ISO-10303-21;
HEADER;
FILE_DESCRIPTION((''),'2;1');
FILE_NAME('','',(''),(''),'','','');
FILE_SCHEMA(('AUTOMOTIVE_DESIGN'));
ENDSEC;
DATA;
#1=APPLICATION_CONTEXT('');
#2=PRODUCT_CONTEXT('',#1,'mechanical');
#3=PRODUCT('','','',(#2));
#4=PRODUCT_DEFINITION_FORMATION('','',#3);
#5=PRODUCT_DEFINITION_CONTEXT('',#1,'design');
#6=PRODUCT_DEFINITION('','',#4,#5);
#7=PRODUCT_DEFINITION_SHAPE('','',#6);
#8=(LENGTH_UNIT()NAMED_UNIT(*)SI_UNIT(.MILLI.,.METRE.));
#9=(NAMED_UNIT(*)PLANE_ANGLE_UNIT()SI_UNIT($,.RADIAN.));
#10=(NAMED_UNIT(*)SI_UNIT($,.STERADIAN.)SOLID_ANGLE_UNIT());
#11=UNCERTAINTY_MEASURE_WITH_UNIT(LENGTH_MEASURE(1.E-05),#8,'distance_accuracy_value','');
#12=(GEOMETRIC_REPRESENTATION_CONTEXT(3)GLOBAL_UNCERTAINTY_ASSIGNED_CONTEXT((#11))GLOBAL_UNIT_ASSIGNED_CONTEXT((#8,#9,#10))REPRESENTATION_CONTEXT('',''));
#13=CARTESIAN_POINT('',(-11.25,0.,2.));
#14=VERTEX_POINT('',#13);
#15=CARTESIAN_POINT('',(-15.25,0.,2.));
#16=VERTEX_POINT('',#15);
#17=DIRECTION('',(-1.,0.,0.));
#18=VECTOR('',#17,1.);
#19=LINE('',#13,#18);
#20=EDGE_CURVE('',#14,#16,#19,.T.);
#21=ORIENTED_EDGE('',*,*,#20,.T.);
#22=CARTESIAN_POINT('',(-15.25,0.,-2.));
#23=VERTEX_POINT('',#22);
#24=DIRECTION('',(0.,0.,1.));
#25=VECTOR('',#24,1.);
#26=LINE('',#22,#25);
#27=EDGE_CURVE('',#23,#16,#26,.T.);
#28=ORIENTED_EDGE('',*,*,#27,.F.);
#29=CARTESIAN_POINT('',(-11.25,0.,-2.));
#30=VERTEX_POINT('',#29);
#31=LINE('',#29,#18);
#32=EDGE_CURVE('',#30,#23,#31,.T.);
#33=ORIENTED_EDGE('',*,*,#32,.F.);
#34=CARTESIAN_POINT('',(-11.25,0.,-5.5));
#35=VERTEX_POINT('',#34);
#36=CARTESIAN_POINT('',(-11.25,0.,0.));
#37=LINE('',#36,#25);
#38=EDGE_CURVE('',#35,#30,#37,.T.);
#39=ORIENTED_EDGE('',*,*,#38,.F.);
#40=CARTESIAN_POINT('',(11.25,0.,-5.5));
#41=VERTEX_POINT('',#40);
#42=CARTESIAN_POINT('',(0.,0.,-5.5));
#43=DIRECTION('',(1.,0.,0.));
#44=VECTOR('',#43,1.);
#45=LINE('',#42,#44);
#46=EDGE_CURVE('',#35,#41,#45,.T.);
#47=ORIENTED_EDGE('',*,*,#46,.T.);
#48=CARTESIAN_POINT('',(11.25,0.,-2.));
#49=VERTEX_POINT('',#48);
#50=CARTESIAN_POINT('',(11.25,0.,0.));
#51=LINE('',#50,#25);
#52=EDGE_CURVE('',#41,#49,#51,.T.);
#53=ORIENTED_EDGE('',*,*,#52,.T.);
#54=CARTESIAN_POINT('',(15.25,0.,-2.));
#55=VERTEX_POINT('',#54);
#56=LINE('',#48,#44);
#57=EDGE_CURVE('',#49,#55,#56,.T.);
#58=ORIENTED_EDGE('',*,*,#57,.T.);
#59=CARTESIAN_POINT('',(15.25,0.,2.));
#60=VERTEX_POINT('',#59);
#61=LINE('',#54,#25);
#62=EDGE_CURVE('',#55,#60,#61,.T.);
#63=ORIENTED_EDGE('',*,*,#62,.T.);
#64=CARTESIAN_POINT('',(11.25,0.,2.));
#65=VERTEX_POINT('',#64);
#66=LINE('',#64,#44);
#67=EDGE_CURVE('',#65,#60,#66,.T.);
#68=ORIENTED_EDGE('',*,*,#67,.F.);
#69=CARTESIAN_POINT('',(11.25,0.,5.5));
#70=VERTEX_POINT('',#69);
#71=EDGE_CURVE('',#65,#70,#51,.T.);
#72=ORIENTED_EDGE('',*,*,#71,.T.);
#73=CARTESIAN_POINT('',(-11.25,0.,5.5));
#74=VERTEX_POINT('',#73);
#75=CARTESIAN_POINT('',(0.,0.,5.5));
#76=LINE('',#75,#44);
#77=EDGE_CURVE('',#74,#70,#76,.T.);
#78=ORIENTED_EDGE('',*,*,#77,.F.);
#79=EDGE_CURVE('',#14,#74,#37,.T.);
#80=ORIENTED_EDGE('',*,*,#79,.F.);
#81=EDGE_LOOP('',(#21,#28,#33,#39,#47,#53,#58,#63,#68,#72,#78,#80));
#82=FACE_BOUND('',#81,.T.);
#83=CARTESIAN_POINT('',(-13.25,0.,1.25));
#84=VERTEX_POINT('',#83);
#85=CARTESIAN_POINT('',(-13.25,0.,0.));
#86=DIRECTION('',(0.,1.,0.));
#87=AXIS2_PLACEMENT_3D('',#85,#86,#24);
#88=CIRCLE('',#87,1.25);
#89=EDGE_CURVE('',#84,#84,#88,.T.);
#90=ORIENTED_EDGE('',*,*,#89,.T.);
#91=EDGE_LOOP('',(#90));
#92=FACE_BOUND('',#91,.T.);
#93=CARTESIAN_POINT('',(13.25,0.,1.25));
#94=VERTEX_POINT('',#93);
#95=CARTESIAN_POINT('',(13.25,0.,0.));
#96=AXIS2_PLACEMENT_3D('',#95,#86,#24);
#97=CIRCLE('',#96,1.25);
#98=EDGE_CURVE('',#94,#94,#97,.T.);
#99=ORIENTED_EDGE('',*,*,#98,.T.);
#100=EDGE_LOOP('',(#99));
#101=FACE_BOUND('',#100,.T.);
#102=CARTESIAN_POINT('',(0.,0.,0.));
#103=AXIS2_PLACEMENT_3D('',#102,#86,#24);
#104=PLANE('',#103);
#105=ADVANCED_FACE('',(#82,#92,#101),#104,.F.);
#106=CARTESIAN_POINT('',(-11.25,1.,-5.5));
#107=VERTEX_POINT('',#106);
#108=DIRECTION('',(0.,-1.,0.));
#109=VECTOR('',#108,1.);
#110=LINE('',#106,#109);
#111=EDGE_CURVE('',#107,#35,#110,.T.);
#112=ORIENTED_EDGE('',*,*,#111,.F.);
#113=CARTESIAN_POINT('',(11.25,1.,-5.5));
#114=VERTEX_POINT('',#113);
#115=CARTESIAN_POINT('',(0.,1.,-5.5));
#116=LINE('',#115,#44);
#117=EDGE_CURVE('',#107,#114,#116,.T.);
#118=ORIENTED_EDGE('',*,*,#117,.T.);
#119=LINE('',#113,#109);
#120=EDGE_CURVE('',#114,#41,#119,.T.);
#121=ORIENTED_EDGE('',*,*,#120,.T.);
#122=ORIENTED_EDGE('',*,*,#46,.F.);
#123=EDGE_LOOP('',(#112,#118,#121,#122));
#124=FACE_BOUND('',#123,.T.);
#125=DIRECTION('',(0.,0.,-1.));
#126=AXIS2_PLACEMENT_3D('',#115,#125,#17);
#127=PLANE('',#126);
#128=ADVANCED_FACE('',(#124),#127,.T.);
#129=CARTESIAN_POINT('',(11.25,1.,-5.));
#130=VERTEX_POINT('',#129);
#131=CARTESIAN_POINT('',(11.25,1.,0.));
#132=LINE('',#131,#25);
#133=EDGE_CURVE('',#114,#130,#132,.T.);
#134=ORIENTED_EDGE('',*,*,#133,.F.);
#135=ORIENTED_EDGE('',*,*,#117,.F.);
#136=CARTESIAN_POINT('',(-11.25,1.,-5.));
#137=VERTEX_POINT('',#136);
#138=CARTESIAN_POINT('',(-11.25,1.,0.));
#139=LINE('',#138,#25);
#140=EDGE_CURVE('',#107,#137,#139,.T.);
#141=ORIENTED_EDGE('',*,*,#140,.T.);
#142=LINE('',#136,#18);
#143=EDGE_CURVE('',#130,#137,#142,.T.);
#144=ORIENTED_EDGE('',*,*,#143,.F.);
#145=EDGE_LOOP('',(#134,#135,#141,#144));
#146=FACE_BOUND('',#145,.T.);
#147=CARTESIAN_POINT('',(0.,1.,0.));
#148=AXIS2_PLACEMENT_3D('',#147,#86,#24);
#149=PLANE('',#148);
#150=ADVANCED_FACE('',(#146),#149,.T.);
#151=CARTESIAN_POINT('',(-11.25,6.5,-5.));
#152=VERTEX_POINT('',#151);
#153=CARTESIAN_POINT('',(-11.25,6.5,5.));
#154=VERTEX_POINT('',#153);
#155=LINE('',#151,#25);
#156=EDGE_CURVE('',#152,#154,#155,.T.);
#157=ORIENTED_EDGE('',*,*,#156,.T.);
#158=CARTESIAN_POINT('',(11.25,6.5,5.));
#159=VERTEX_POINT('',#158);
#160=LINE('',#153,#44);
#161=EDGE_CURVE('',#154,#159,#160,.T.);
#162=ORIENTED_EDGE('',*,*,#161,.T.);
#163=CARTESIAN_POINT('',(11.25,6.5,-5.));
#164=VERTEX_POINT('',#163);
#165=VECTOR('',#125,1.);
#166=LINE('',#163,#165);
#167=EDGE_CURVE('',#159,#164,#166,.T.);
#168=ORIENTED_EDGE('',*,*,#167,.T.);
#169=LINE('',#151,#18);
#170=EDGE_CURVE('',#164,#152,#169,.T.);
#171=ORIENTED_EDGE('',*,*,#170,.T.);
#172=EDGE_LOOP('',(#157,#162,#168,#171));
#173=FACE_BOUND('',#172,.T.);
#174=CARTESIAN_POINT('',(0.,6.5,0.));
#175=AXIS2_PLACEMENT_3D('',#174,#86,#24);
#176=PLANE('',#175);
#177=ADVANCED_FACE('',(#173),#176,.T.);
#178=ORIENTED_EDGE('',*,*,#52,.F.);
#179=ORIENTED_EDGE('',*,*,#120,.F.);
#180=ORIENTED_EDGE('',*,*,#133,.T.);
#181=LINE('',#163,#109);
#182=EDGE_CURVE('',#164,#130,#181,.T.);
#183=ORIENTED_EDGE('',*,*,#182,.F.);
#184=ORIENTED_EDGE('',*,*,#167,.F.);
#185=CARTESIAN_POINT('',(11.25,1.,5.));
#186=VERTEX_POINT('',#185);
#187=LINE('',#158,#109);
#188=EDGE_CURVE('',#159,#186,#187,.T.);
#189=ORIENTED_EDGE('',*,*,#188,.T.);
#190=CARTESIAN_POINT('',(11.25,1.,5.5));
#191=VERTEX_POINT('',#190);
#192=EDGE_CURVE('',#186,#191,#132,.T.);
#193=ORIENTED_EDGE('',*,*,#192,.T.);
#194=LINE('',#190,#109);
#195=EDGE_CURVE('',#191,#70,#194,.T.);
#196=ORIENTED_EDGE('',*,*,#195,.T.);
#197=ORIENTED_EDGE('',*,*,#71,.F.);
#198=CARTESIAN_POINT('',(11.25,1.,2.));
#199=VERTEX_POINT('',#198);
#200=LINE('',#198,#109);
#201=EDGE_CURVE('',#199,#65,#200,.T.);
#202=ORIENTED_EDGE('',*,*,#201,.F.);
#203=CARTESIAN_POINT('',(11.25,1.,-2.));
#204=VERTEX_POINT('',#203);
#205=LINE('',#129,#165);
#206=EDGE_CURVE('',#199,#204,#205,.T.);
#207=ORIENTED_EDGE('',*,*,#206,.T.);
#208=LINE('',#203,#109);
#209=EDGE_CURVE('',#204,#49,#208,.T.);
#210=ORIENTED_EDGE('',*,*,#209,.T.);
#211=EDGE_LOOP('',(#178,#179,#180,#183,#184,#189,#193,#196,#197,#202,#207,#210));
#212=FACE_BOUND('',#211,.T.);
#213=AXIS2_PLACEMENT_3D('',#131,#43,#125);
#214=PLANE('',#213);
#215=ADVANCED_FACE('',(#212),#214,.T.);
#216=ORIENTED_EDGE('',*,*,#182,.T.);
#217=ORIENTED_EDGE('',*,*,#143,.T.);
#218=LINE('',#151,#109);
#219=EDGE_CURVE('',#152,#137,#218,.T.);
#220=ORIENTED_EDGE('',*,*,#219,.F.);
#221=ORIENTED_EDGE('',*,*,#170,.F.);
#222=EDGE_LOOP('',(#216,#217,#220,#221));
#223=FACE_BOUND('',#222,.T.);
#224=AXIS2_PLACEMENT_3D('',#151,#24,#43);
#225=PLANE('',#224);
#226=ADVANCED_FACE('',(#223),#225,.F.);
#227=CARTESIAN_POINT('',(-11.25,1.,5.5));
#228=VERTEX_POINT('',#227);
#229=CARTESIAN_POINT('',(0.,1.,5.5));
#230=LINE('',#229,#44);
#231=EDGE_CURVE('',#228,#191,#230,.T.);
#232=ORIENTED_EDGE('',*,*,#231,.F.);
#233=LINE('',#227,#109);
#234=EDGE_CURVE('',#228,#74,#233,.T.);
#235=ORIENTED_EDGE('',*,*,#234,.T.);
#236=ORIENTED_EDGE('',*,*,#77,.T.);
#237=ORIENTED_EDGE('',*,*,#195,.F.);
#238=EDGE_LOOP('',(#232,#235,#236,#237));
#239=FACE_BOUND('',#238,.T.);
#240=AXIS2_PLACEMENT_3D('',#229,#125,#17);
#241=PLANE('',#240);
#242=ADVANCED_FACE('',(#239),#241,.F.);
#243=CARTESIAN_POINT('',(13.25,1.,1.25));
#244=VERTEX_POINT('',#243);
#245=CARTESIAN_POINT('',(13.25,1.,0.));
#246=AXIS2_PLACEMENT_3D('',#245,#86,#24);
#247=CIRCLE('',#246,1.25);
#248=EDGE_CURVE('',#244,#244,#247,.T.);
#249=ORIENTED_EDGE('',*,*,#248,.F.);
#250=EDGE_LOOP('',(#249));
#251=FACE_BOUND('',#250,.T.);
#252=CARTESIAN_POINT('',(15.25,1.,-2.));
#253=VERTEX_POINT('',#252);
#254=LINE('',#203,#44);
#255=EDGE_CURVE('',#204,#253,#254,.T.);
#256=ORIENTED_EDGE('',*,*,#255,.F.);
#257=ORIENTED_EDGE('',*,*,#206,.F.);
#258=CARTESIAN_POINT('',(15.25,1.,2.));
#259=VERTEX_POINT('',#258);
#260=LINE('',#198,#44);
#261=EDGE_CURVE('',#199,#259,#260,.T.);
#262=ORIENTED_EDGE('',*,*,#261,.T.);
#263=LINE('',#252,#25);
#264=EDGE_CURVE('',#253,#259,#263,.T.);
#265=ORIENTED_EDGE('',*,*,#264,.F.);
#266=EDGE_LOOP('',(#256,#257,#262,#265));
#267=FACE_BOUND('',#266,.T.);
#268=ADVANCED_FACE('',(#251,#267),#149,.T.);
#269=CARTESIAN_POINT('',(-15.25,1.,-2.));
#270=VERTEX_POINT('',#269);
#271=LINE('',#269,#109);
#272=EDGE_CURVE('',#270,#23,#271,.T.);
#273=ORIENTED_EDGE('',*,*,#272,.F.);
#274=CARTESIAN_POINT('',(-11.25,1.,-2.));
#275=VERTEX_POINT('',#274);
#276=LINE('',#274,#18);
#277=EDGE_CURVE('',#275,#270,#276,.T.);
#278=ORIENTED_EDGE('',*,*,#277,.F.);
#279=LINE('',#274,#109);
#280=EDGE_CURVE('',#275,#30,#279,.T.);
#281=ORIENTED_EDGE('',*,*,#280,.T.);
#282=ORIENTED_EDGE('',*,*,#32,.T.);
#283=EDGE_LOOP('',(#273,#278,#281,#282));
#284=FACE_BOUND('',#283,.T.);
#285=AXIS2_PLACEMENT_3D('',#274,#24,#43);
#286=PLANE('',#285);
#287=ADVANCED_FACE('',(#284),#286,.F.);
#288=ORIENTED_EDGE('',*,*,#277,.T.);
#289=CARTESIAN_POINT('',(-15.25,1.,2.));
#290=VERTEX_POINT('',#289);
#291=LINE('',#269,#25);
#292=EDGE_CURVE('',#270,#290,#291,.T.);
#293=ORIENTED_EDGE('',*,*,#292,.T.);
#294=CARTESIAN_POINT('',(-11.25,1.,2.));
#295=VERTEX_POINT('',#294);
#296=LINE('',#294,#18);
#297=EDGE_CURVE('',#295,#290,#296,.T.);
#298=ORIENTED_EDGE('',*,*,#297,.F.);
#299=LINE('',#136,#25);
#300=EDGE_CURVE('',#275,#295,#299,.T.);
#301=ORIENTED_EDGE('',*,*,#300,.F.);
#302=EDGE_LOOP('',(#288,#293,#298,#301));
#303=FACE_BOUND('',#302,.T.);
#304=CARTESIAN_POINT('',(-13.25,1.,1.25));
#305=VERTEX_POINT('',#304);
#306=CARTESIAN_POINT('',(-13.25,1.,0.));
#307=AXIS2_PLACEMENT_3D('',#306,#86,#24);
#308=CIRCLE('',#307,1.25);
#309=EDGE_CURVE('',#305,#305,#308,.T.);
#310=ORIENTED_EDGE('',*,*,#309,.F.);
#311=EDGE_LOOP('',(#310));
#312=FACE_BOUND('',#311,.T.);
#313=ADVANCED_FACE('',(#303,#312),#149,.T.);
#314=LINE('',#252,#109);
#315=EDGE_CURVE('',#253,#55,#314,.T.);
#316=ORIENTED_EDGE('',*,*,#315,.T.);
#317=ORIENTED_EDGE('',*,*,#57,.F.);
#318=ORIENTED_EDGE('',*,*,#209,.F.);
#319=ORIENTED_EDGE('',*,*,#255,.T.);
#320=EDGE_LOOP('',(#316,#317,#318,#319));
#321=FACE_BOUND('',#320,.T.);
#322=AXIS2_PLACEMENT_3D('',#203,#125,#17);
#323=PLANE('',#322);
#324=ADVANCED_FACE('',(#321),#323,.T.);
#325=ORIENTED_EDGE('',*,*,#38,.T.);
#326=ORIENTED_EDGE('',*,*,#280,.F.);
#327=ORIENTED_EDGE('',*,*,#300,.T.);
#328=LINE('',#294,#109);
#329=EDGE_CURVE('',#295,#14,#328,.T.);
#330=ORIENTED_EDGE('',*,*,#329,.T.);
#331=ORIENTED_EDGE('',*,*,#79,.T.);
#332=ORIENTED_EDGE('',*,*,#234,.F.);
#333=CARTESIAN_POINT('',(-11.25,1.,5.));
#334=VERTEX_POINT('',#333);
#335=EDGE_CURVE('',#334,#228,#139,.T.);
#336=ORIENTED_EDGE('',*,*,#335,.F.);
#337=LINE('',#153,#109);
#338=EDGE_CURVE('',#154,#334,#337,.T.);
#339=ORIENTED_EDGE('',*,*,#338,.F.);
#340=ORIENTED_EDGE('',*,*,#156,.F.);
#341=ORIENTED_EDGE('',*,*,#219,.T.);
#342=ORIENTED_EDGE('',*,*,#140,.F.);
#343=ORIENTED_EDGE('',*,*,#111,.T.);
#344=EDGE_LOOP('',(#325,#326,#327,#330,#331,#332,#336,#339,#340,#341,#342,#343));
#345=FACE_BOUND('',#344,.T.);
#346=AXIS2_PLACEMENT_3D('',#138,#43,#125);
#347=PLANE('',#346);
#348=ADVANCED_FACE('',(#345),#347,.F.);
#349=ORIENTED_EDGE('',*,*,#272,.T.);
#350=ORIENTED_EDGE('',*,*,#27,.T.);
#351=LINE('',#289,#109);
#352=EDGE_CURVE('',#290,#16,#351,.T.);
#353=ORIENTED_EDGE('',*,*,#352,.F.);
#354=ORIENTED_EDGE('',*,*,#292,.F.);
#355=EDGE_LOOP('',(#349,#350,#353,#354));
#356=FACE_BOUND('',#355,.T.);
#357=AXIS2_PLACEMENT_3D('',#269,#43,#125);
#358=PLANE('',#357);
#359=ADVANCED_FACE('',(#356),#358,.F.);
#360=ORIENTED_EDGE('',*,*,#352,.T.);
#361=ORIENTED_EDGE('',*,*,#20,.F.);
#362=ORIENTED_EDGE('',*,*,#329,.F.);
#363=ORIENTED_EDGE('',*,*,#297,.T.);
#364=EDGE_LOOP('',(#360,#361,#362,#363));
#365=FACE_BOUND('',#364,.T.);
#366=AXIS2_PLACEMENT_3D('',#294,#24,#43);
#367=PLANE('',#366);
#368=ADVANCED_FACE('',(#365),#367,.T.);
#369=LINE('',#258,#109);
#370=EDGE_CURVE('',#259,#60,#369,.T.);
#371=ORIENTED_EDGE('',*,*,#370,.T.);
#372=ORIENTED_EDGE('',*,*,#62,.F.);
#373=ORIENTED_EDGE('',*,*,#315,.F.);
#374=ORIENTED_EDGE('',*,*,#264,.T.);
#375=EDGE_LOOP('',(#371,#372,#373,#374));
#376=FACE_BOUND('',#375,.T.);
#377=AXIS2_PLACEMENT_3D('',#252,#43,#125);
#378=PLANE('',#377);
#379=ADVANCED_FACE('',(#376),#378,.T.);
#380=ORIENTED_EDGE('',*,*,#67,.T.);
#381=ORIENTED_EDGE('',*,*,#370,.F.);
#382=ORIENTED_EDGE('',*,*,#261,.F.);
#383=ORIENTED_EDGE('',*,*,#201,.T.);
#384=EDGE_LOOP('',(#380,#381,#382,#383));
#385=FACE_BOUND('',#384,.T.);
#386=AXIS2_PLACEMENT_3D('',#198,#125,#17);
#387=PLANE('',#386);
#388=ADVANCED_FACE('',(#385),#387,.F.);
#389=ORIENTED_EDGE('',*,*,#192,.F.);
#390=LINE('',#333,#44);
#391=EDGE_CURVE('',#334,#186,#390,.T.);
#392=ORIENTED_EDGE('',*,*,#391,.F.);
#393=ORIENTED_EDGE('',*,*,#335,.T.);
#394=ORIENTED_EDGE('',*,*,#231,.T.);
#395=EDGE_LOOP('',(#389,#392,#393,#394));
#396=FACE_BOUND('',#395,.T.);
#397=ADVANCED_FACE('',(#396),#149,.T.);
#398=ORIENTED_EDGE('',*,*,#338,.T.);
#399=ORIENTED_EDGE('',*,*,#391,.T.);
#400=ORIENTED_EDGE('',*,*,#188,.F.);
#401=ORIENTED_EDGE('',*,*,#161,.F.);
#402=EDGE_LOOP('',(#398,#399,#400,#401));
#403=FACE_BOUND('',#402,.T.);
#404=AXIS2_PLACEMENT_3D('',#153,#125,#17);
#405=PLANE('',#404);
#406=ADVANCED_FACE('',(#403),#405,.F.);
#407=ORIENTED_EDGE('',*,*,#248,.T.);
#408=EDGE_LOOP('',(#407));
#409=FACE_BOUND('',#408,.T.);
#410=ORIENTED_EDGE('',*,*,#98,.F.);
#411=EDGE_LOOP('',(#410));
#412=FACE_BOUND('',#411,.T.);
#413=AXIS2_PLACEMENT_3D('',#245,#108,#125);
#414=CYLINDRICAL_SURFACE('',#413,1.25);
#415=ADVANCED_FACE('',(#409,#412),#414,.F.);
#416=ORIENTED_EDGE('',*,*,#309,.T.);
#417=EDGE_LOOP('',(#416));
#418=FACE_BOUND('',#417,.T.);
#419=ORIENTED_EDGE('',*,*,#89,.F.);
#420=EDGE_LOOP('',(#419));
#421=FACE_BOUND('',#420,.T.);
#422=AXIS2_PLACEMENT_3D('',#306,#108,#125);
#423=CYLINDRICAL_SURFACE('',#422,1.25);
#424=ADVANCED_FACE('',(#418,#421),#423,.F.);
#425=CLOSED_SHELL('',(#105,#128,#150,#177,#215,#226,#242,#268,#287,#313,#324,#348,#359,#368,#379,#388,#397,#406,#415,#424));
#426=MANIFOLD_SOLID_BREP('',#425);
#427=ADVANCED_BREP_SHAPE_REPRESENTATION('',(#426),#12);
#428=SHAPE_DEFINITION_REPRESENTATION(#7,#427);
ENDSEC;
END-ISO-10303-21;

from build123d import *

# Parameters (mm, degrees)
SKETCH_1_W      = 22.5
SKETCH_1_H      = 11
SKETCH_1_W_2    = 4
SKETCH_1_H_2    = 4
SKETCH_1_R      = 1.25
EXTRUDE_1_DEPTH = 1
SKETCH_2_W      = 22.5
SKETCH_2_H      = 10
EXTRUDE_2_DEPTH = 5.5


with BuildPart() as part:
    # Эскиз1 → Бобышка-Вытянуть1 (new body)
    # profile 1 of 3: a face of its own
    with BuildSketch(Plane(origin=(0, 0, 0), x_dir=(1, 0, 0), z_dir=(0, 1, 0))):
        Rectangle(SKETCH_1_W, SKETCH_1_H)
    # profile 2 of 3: a face of its own
    with BuildSketch(Plane(origin=(0, 0, 0), x_dir=(1, 0, 0), z_dir=(0, 1, 0))):
        with Locations((-13.25, 0)):
            Rectangle(SKETCH_1_W_2, SKETCH_1_H_2)
        with Locations(Location((-13.25, 0, 0), (0, 0, 270))):
            Circle(SKETCH_1_R, mode=Mode.SUBTRACT)
    # profile 3 of 3: a face of its own
    with BuildSketch(Plane(origin=(0, 0, 0), x_dir=(1, 0, 0), z_dir=(0, 1, 0))):
        with Locations((13.25, 0)):
            Rectangle(SKETCH_1_W_2, SKETCH_1_H_2)
        with Locations(Location((13.25, 0, 0), (0, 0, 270))):
            Circle(SKETCH_1_R, mode=Mode.SUBTRACT)
    extrude(amount=EXTRUDE_1_DEPTH)

    # Эскиз2 → Бобышка-Вытянуть2 (add)
    with BuildSketch(Plane(origin=(0, 1, 0), x_dir=(1, 0, 0), z_dir=(0, 1, 0))):
        Rectangle(SKETCH_2_W, SKETCH_2_H)
    extrude(amount=EXTRUDE_2_DEPTH)


solid = part.part
